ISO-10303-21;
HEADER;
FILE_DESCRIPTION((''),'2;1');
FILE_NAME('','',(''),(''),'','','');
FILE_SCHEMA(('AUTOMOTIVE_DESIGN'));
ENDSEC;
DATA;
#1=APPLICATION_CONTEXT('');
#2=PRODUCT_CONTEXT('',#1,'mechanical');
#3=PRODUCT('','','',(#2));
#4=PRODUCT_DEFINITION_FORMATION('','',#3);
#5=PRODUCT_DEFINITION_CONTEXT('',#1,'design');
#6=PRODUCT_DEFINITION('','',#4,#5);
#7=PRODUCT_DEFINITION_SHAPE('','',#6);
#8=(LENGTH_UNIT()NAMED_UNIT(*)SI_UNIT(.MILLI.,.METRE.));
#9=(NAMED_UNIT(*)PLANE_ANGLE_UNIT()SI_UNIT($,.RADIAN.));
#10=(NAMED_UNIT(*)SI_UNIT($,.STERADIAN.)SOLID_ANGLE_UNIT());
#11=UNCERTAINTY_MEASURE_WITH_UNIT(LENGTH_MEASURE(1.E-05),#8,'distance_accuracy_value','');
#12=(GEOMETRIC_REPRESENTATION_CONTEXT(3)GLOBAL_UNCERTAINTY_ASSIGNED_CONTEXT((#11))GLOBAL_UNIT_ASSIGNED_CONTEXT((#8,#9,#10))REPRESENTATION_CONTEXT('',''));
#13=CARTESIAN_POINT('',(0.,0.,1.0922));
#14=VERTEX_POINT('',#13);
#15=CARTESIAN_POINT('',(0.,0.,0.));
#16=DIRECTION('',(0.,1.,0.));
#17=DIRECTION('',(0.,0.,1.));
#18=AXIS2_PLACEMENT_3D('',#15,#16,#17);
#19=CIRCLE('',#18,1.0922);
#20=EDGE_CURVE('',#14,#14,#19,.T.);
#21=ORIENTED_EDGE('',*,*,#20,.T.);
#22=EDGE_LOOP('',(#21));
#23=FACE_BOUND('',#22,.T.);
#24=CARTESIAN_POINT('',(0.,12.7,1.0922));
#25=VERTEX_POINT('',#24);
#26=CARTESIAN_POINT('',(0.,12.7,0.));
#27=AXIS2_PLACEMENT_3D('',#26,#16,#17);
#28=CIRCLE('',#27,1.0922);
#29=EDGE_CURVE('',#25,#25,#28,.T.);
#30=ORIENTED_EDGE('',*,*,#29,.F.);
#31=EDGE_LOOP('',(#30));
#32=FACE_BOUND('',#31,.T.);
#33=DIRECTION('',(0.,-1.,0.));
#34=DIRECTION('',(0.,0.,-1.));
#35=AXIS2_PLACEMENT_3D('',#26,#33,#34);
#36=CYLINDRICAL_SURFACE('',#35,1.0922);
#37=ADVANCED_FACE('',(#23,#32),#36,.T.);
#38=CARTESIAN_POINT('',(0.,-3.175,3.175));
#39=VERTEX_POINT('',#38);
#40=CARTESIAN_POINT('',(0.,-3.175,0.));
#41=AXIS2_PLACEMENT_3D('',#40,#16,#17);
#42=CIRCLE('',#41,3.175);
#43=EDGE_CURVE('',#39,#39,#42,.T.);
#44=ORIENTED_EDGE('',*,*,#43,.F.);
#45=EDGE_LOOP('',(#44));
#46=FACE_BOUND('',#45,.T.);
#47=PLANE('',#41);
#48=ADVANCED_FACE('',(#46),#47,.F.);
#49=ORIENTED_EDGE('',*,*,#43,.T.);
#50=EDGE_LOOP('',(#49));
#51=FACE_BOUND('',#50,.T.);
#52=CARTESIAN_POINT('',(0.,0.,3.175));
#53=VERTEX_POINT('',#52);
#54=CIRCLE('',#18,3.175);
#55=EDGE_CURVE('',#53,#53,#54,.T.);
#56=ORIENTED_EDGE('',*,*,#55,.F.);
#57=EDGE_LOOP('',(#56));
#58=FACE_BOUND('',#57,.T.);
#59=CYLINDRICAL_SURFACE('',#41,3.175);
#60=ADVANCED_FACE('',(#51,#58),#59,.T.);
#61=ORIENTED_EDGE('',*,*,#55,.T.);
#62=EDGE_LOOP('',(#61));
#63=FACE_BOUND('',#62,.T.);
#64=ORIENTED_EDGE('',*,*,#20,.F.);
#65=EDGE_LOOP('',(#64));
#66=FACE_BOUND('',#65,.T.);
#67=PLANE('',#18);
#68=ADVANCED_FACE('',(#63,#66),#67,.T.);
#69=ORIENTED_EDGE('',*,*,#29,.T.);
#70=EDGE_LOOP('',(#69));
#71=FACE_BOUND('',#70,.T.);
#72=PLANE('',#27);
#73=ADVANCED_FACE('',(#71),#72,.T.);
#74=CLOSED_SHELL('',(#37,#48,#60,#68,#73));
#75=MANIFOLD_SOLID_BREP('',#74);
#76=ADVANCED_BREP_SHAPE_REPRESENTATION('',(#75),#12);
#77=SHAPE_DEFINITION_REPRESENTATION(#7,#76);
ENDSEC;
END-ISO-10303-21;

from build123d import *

# Parameters (mm, degrees)
SKETCH2_R           = 3.175
BOSS_EXTRUDE2_DEPTH = 3.175
SKETCH1_R           = 1.0922
BOSS_EXTRUDE3_DEPTH = 12.7


with BuildPart() as part:
    # Sketch2 → Boss-Extrude2 (new body)
    with BuildSketch(Plane(origin=(0, 0, 0), x_dir=(1, 0, 0), z_dir=(0, 1, 0))):
        with Locations(Location((0, 0, 0), (0, 0, 270))):
            Circle(SKETCH2_R)
    extrude(amount=-BOSS_EXTRUDE2_DEPTH)

    # Sketch1 → Boss-Extrude3 (add)
    with BuildSketch(Plane(origin=(0, 0, 0), x_dir=(1, 0, 0), z_dir=(0, 1, 0))):
        with Locations(Location((0, 0, 0), (0, 0, 270))):
            Circle(SKETCH1_R)
    extrude(amount=BOSS_EXTRUDE3_DEPTH)


solid = part.part
